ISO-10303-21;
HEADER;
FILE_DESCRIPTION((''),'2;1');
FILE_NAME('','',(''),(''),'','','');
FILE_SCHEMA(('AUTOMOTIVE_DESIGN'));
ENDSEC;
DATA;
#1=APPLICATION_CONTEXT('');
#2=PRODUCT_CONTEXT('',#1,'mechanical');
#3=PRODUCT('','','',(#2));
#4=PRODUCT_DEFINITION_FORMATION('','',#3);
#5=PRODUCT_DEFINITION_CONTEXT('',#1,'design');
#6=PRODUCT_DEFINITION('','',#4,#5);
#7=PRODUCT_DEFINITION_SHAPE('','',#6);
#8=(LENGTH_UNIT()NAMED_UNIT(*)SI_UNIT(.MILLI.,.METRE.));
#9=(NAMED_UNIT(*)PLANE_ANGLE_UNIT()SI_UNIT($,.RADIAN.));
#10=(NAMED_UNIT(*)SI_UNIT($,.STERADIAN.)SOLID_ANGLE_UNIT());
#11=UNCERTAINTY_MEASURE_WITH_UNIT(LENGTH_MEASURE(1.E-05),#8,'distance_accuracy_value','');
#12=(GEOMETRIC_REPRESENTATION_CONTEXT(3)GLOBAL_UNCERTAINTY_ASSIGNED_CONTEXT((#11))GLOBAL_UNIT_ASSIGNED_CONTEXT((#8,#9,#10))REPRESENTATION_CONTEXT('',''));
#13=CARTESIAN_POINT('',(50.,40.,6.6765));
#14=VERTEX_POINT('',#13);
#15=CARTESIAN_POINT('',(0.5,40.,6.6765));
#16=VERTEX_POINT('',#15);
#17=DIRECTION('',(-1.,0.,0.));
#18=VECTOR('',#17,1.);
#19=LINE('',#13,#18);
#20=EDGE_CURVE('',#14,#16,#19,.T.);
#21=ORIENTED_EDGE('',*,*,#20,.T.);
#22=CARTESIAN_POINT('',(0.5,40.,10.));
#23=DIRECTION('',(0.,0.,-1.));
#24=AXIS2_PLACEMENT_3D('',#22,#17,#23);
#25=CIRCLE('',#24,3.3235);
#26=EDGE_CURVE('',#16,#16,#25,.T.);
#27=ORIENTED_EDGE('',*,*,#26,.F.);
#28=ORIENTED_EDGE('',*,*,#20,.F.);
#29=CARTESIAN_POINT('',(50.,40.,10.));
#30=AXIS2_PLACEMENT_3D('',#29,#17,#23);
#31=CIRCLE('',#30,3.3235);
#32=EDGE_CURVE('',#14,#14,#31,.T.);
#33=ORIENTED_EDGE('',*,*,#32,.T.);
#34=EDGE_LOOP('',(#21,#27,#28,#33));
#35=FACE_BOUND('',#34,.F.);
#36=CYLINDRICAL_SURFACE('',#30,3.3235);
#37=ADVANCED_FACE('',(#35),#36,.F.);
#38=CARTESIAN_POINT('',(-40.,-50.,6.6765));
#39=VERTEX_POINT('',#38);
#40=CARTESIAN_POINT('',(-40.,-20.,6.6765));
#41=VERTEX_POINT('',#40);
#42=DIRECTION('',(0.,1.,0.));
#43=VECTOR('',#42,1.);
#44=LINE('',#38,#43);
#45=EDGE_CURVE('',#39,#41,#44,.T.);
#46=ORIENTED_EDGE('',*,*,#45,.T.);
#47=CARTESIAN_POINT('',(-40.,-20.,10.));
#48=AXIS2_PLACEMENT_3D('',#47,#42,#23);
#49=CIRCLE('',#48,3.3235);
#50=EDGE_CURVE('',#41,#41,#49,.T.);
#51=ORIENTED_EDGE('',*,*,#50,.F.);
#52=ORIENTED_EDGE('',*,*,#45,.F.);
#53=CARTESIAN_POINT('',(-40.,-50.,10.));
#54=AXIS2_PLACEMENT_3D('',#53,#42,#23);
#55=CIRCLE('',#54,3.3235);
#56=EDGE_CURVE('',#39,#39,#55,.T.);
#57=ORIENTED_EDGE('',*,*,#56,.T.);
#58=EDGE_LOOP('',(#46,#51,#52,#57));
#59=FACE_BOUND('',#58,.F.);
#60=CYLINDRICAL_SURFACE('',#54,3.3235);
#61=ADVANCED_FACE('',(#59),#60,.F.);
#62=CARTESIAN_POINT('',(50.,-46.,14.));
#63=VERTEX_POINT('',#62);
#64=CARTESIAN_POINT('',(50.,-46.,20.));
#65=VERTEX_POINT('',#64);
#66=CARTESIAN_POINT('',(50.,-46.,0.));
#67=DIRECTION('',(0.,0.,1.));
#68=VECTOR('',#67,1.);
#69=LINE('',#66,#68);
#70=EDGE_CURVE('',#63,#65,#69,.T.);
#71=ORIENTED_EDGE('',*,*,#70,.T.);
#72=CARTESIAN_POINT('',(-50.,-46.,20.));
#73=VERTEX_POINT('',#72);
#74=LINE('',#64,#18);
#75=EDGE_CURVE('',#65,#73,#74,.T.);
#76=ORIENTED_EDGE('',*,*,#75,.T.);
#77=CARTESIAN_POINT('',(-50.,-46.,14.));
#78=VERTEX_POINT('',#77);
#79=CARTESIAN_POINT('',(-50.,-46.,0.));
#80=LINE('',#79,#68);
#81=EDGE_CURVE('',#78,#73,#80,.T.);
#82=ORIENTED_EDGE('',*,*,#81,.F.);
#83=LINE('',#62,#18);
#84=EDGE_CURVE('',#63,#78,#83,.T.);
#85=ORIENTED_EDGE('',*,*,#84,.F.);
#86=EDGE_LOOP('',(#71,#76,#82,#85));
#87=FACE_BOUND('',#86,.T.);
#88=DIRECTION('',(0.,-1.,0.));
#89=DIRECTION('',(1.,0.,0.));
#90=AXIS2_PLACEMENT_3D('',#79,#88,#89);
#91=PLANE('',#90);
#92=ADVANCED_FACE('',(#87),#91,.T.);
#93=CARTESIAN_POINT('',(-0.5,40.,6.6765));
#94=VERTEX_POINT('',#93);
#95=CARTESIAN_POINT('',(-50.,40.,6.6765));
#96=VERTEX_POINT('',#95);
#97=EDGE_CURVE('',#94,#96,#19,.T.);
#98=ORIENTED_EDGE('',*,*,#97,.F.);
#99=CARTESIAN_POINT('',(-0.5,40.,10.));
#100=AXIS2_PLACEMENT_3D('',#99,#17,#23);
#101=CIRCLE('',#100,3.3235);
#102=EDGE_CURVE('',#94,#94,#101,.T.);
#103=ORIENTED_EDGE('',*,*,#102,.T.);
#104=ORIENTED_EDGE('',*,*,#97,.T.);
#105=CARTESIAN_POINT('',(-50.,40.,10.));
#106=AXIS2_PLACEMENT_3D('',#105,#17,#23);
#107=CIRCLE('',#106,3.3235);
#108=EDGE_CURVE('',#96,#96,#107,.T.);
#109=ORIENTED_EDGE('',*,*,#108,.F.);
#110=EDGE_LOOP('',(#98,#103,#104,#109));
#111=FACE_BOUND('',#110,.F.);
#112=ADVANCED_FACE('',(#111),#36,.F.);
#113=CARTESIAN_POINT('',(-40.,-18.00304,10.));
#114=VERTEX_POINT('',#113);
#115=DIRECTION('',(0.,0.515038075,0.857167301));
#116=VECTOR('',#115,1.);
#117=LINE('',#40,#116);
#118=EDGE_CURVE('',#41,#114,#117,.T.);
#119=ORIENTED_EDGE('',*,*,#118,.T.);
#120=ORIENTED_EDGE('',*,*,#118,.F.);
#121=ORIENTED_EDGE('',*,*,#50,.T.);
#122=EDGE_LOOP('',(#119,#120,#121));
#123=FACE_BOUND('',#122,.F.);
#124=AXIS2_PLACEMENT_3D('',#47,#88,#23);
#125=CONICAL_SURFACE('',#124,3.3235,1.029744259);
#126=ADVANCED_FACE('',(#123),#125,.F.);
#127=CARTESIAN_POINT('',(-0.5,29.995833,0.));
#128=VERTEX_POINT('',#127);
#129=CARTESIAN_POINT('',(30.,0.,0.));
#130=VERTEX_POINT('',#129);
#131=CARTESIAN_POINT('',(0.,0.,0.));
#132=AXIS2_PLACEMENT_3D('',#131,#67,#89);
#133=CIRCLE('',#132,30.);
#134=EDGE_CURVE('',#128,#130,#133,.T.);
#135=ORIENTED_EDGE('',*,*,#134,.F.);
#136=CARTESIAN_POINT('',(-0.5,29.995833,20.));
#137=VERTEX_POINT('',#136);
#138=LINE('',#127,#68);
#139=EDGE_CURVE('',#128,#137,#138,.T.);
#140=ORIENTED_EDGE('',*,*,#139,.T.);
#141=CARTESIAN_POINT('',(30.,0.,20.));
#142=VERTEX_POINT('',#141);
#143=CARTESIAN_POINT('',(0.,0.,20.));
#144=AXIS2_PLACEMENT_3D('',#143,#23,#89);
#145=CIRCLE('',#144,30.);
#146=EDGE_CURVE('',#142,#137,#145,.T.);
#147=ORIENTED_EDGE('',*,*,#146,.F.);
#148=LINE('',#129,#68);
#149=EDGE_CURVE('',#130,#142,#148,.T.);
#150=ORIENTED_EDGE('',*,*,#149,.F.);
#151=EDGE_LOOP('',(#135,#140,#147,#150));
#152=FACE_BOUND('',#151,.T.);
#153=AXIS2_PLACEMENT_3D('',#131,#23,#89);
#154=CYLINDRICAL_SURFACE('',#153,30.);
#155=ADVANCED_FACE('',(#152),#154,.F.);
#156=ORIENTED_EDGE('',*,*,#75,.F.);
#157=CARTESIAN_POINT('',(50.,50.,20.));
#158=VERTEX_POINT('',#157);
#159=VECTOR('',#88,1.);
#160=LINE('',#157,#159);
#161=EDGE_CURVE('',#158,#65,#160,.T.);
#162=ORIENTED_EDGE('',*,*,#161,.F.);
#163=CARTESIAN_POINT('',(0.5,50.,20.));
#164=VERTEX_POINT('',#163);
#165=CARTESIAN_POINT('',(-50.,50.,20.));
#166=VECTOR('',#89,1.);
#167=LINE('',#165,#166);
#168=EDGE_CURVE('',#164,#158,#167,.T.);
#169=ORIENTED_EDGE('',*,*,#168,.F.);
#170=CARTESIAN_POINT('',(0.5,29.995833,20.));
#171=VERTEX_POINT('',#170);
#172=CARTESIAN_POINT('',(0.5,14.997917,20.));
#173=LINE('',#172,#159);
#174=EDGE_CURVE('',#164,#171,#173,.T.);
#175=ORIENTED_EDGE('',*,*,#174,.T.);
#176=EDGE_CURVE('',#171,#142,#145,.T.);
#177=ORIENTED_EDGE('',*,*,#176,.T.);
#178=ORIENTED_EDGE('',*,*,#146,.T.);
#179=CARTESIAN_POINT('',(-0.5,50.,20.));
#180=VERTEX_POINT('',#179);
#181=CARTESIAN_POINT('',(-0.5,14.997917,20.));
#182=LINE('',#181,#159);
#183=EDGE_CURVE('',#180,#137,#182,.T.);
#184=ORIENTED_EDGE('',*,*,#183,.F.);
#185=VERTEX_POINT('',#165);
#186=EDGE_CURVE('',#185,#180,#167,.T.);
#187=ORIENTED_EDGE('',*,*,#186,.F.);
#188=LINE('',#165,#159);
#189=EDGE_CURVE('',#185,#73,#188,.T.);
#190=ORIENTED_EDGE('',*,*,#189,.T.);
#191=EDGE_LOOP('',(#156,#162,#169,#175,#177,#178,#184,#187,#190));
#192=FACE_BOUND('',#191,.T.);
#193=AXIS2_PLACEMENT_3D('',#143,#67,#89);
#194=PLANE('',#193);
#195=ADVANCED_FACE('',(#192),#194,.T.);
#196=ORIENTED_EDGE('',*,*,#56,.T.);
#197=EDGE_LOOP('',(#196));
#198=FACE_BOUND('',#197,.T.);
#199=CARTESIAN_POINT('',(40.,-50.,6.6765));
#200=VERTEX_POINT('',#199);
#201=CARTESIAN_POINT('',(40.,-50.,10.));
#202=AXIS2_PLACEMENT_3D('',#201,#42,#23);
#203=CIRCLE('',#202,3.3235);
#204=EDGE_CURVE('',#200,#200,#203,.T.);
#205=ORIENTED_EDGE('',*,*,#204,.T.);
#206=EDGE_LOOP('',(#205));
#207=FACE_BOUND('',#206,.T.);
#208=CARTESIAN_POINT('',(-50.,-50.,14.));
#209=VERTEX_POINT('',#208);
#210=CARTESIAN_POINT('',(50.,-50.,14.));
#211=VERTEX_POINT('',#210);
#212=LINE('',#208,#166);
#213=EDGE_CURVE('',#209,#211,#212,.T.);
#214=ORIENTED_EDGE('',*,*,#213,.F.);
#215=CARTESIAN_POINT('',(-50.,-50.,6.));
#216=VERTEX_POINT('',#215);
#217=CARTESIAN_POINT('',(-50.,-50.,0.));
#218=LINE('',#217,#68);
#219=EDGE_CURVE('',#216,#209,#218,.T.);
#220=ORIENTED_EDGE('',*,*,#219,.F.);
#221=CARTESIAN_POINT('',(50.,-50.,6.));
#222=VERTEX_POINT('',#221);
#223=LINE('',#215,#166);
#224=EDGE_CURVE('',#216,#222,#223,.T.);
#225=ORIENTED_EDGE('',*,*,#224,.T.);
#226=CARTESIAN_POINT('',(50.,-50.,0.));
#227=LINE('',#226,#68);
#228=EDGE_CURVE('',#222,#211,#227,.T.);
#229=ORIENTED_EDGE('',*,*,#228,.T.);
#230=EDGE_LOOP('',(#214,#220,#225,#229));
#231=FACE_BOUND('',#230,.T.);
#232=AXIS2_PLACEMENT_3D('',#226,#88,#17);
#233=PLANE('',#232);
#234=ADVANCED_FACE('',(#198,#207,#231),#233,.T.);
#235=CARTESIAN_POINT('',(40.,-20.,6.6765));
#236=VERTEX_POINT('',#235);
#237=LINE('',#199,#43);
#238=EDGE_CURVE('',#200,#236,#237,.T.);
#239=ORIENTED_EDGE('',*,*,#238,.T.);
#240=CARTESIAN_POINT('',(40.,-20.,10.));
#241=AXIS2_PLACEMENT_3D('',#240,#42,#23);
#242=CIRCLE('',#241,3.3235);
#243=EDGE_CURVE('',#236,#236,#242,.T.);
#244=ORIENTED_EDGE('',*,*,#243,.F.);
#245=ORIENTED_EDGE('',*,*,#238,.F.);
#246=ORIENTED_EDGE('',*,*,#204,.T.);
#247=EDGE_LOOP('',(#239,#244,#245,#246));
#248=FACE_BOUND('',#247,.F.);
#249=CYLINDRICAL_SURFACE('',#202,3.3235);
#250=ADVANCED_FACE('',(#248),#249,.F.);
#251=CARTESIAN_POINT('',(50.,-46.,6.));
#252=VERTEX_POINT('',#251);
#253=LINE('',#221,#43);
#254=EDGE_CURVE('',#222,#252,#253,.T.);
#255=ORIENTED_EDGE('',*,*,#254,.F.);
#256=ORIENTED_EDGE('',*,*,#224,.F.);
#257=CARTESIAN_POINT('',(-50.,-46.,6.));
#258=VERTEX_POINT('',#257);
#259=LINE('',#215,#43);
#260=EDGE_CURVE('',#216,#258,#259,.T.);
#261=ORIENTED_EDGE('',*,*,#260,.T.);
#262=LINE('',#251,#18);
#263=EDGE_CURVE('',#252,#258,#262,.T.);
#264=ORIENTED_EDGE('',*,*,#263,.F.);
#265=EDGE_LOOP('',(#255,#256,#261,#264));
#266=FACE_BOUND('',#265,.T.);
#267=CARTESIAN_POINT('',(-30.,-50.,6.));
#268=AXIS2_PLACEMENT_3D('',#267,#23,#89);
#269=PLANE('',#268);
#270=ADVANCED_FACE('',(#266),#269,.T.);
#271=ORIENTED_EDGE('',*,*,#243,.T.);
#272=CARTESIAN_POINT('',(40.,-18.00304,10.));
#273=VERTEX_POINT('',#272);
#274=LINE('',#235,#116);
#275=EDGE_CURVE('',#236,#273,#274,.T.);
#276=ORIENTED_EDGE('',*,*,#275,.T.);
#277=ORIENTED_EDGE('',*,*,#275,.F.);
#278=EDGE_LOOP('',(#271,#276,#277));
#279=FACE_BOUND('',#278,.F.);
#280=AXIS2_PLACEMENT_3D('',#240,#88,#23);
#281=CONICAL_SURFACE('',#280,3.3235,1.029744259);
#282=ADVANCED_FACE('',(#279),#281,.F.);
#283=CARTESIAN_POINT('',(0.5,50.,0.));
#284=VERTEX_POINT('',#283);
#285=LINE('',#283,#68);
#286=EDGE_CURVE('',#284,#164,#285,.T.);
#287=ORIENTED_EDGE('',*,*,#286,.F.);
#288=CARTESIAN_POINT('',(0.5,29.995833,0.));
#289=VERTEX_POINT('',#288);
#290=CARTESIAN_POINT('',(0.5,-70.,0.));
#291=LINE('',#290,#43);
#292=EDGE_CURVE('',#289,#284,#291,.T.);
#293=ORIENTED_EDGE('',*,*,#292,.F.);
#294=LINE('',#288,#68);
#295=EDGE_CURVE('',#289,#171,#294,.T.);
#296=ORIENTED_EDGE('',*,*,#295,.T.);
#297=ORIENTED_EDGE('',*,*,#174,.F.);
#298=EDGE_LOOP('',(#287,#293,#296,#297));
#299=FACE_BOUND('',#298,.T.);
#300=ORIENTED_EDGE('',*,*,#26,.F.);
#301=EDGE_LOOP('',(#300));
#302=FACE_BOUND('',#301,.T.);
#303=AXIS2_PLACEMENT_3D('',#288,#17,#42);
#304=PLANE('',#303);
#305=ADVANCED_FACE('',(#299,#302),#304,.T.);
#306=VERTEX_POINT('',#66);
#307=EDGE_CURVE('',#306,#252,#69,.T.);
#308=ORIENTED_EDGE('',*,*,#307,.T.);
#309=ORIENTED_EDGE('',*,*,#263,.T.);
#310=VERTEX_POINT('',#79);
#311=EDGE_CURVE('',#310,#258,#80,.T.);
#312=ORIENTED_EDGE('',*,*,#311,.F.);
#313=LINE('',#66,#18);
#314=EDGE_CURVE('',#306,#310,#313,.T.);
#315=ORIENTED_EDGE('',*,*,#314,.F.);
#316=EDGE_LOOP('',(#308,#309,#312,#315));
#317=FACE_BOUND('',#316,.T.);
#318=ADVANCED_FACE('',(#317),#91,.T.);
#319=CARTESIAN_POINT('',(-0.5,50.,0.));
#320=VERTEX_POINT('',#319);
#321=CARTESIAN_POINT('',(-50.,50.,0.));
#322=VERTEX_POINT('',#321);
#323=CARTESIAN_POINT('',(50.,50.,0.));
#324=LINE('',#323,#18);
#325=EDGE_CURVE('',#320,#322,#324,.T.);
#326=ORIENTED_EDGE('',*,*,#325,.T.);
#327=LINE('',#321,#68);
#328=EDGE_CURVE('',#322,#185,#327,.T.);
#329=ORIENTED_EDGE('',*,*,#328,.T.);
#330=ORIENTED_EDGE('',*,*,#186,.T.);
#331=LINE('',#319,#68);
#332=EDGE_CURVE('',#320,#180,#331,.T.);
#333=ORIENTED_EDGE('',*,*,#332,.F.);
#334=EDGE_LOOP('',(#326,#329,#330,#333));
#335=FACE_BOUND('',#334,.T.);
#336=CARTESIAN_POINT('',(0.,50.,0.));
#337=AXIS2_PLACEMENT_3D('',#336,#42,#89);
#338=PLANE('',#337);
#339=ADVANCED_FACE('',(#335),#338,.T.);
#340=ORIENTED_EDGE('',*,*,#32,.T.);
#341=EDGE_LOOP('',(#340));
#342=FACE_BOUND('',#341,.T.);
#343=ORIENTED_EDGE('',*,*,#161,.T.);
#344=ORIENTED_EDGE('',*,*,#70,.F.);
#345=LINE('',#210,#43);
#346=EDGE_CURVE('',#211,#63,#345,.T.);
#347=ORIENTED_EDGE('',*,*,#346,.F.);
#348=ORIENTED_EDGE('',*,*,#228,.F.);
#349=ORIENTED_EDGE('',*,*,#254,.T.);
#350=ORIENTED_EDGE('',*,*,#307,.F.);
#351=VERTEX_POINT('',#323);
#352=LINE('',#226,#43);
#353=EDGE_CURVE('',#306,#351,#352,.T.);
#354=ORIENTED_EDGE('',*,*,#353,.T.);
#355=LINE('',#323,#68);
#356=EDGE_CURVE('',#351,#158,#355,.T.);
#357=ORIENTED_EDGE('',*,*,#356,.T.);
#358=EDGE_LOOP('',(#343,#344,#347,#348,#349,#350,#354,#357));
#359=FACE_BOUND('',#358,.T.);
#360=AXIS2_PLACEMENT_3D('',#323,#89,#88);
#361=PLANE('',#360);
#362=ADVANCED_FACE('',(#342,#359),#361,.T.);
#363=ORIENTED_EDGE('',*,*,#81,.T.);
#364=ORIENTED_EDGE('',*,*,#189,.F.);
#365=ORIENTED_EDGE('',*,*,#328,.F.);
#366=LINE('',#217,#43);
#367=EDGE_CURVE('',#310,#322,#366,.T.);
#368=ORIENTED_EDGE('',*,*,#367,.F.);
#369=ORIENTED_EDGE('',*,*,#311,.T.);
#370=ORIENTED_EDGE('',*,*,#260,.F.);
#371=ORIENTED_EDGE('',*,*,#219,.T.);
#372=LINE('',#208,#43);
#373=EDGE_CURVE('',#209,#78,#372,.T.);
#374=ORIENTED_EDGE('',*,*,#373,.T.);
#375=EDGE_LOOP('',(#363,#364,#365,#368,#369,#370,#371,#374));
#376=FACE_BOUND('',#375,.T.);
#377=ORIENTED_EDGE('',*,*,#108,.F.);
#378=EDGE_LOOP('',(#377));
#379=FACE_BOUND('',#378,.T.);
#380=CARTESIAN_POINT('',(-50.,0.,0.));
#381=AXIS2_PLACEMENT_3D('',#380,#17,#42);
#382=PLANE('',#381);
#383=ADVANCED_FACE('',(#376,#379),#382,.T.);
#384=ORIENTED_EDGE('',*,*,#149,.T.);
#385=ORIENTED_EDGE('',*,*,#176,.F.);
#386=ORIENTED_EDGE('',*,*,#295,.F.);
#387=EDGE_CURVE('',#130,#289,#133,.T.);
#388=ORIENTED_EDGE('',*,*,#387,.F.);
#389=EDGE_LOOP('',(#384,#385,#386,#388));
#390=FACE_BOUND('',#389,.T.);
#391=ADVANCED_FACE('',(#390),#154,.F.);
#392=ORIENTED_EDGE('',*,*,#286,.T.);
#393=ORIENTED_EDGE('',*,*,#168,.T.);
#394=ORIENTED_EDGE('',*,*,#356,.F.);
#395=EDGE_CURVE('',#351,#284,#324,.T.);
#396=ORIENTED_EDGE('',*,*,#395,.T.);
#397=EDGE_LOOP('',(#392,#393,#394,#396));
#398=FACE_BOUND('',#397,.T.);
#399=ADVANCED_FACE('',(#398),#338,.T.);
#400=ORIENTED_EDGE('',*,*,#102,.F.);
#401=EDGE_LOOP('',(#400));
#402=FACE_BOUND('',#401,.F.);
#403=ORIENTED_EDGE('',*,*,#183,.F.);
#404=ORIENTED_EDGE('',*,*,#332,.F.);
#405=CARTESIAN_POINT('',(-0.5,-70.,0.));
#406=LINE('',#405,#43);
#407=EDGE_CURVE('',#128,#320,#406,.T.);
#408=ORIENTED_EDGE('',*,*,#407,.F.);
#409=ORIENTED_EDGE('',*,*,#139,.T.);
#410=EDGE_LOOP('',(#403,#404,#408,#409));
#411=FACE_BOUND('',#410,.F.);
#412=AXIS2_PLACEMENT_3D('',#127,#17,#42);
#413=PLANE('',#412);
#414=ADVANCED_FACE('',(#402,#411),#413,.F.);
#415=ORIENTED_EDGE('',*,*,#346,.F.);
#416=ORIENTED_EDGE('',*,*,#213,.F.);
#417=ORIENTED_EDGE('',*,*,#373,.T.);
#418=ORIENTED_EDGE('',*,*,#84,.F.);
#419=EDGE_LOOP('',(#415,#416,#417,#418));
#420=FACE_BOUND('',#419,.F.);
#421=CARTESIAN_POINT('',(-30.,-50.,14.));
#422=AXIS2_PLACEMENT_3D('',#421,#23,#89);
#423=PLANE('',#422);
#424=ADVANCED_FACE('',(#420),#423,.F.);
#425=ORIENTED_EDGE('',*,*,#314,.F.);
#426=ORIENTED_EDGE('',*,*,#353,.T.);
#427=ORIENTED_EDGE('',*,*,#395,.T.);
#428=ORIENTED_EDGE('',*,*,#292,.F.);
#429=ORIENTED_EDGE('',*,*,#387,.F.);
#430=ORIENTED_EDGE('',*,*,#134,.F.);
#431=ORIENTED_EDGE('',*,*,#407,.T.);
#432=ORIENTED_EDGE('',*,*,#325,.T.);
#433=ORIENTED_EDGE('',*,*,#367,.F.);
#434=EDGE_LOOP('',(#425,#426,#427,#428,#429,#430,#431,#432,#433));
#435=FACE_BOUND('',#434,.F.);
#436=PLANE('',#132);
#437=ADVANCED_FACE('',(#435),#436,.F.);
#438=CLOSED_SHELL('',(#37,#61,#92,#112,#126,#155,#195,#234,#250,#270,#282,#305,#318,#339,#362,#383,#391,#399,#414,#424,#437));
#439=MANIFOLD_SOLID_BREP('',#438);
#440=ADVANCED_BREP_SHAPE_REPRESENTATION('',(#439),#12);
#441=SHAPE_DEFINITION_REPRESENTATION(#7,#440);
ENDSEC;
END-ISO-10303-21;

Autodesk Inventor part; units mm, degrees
ref_plane "YZ Plane" through (0, 0, 0) normal (1, 0, 0) x (0, 1, 0)
ref_plane "XZ Plane" through (0, 0, 0) normal (0, 1, 0) x (-1, 0, 0)
ref_plane "XY Plane" through (0, 0, 0) normal (0, 0, 1) x (1, 0, 0)
sketch "Sketch1" plane through (0, 0, 0) normal (0, 0, 1) x (1, 0, 0)
  line L0 (0, 70) -> (0, -70) projected
  line L1 (-70, 0) -> (70, 0) projected
  line L2 (-50, 50) -> (50, 50)
  line L3 (50, 50) -> (50, -50)
  line L4 (50, -50) -> (-50, -50)
  line L5 (-50, -50) -> (-50, 50)
  circle A0 centre (0, 0) radius 30
  dimension "d0" = 100
  dimension "d1" = 100
  dimension "d2" = 60
extrude "Extrusion1" add sketch "Sketch1" along normal blind 20 contours L2 L3 L1 A0 L0 | L0 A0 L1 L5 L2 | L1 L3 L4 L0 A0 | A0 L0 L4 L5 L1
sketch "Sketch2" plane through (-50, -50, 0) normal (0, -1, 0) x (1, 0, 0)
  line L0 (20, 20) -> (20, 0) projected
  line L1 (0, 0) -> (100, 0) projected
  line L2 (100, 0) -> (100, 20) projected
  line L3 (0, 20) -> (100, 20) projected
  line L4 (0, 0) -> (0, 20) projected
  line L5 (80, 20) -> (80, 0) projected
  line L6 (0, 0) -> (0, 20) projected
  line L7 (0, 10) -> (100, 10)
  line L8 (0, 14) -> (100, 14)
  line L9 (0, 6) -> (100, 6)
  point P0 (50, 0)
  dimension "d5" = 4
  dimension "d6" = 4
extrude "Extrusion2" cut sketch "Sketch2" against normal blind 4 contours L3 L5 L8 L0 | L0 L8 L4 L3 | L3 L2 L8 L5 | L9 L5 L1 L0 | L0 L1 L4 L9 | L9 L2 L1 L5
sketch "Sketch3" plane through (0, 0, 0) normal (0, 0, -1) x (-1, 0, 0)
  line L0 (0, -70) -> (0, 70) projected
  line L1 (0.5, -70) -> (0.5, 70)
  line L2 (-0.5, -70) -> (-0.5, 70)
  line L3 (-50, -46) -> (50, -46) projected
  line L4 (50, 50) -> (50, -46) projected
  line L5 (-50, 50) -> (50, 50) projected
  line L6 (-50, -46) -> (-50, 50) projected
  circle A0 centre (0, 0) radius 30 projected
  point P0 (0.5, 29.9958)
  point P1 (0.5, 50)
  point P2 (-0.5, 50)
  point P3 (-0.5, 29.9958)
  dimension "d9" = 0.5
  dimension "d10" = 0.5
extrude "Extrusion3" cut sketch "Sketch3" against normal through all contours A0 L2 L5 L0 | L0 L5 L1 A0
sketch "Sketch4" plane through (50, 50, 20) normal (1, 0, 0) x (0, 0, -1)
  line L0 (20, 0) -> (0, 0) projected
  line L1 (20, -96) -> (20, 0) projected
  point P0 (20, -50)
  point P1 (10, -10)
  dimension "d13" = 10
  dimension "d14" = 10
hole "Hole1" at (50, 40, 10) direction (-1, 0, 0) diameter 6.647 depth 110 tip angle 118 thread size "M8x1.25" class "6H" standard "ISO Metric profile"
sketch "Sketch5" plane through (-50, -50, 14) normal (0, -1, 0) x (1, 0, 0)
  line L0 (100, -14) -> (0, -14) projected
  line L1 (100, -8) -> (100, 0) projected
  point P0 (50, -14)
  point P1 (90, -4)
  dimension "d22" = 10
  dimension "d23" = 10
hole "Hole2" at (40, -50, 10) direction (0, 1, 0) diameter 6.647 depth 30 tip angle 118 thread size "M8x1.25" class "6H" standard "ISO Metric profile"
sketch "Sketch6" plane through (-50, -50, 14) normal (0, -1, 0) x (1, 0, 0)
  line L0 (0, -8) -> (0, 0) projected
  line L1 (100, -14) -> (0, -14) projected
  point P0 (50, -14)
  point P1 (10, -4)
  dimension "d31" = 10
  dimension "d32" = 10
hole "Hole3" at (-40, -50, 10) direction (0, 1, 0) diameter 6.647 depth 30 tip angle 118 thread size "M8x1.25" class "6H" standard "ISO Metric profile"
properties part number "upperClamp"
